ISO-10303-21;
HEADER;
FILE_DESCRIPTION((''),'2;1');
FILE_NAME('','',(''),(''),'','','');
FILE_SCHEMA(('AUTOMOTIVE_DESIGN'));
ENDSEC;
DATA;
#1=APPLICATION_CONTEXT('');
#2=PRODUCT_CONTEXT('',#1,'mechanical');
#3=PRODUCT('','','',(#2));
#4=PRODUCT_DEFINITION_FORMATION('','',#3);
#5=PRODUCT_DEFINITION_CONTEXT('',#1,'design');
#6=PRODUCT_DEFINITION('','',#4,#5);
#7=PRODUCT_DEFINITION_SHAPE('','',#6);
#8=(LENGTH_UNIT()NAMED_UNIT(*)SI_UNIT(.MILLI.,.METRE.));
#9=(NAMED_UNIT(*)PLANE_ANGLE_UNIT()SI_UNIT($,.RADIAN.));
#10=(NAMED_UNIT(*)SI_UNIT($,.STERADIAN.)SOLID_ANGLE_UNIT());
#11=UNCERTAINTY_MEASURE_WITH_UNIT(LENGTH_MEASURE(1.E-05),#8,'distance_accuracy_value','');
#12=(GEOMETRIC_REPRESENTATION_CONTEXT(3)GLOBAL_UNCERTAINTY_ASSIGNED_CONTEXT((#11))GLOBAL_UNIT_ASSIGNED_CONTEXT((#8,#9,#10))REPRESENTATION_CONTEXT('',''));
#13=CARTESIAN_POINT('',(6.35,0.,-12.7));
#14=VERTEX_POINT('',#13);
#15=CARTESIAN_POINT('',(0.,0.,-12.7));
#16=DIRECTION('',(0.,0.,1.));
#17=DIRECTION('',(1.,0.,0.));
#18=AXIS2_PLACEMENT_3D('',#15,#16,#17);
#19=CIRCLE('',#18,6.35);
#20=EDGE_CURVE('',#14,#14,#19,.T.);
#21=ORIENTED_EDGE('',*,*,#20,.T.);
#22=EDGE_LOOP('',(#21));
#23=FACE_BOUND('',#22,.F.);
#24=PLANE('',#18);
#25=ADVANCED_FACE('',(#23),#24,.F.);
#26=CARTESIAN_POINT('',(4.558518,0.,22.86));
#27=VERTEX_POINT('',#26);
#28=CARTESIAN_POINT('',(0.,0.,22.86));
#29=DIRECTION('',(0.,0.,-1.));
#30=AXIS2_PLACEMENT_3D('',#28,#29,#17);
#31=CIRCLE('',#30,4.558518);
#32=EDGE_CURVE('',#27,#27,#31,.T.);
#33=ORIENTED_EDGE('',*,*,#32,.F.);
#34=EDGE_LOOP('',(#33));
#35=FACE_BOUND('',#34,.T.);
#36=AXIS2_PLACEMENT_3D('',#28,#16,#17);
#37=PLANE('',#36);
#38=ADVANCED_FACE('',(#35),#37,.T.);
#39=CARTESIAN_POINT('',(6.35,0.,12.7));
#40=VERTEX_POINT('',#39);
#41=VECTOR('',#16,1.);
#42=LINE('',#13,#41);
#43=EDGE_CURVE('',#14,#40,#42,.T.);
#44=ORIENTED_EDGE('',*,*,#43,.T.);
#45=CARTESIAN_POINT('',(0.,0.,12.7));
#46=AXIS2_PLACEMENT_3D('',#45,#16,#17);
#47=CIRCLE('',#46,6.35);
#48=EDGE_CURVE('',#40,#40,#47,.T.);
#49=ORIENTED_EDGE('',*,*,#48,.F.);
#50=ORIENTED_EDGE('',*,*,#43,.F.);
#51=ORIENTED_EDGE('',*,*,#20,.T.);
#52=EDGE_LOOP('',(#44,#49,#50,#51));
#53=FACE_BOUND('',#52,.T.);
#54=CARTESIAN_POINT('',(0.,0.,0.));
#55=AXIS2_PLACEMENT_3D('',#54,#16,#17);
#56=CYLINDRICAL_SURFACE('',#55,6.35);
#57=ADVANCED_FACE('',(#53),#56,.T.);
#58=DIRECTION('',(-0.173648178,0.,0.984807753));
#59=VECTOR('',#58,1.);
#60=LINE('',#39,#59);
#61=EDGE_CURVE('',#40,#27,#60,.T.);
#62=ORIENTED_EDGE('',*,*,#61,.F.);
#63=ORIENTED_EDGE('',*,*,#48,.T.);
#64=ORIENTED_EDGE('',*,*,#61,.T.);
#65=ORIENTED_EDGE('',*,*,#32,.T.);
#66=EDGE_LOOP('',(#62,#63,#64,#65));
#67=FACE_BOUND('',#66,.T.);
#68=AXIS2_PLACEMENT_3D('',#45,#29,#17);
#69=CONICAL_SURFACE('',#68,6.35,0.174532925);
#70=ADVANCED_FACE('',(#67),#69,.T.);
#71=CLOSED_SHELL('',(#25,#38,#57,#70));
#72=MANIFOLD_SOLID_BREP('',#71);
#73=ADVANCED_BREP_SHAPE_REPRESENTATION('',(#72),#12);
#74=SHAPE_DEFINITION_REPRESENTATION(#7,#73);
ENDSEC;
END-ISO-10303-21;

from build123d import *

# Parameters (mm, degrees)
F1_R      = 6.35
F0_DEPTH  = 12.7
F0_FACE_R = 6.35
F2_DEPTH  = 10.16
F2_TAPER  = 10


with BuildPart() as f0:
    # F1 (on Top) → F0 (new body, symmetric)
    with BuildSketch(Plane.XY):
        Circle(F1_R)
    extrude(amount=F0_DEPTH, both=True)

    # F0_face (on face) → F2 (join)
    with BuildSketch(Plane.XY.offset(12.7)):
        Circle(F0_FACE_R)
    extrude(amount=F2_DEPTH, taper=F2_TAPER)


solid = f0.part
